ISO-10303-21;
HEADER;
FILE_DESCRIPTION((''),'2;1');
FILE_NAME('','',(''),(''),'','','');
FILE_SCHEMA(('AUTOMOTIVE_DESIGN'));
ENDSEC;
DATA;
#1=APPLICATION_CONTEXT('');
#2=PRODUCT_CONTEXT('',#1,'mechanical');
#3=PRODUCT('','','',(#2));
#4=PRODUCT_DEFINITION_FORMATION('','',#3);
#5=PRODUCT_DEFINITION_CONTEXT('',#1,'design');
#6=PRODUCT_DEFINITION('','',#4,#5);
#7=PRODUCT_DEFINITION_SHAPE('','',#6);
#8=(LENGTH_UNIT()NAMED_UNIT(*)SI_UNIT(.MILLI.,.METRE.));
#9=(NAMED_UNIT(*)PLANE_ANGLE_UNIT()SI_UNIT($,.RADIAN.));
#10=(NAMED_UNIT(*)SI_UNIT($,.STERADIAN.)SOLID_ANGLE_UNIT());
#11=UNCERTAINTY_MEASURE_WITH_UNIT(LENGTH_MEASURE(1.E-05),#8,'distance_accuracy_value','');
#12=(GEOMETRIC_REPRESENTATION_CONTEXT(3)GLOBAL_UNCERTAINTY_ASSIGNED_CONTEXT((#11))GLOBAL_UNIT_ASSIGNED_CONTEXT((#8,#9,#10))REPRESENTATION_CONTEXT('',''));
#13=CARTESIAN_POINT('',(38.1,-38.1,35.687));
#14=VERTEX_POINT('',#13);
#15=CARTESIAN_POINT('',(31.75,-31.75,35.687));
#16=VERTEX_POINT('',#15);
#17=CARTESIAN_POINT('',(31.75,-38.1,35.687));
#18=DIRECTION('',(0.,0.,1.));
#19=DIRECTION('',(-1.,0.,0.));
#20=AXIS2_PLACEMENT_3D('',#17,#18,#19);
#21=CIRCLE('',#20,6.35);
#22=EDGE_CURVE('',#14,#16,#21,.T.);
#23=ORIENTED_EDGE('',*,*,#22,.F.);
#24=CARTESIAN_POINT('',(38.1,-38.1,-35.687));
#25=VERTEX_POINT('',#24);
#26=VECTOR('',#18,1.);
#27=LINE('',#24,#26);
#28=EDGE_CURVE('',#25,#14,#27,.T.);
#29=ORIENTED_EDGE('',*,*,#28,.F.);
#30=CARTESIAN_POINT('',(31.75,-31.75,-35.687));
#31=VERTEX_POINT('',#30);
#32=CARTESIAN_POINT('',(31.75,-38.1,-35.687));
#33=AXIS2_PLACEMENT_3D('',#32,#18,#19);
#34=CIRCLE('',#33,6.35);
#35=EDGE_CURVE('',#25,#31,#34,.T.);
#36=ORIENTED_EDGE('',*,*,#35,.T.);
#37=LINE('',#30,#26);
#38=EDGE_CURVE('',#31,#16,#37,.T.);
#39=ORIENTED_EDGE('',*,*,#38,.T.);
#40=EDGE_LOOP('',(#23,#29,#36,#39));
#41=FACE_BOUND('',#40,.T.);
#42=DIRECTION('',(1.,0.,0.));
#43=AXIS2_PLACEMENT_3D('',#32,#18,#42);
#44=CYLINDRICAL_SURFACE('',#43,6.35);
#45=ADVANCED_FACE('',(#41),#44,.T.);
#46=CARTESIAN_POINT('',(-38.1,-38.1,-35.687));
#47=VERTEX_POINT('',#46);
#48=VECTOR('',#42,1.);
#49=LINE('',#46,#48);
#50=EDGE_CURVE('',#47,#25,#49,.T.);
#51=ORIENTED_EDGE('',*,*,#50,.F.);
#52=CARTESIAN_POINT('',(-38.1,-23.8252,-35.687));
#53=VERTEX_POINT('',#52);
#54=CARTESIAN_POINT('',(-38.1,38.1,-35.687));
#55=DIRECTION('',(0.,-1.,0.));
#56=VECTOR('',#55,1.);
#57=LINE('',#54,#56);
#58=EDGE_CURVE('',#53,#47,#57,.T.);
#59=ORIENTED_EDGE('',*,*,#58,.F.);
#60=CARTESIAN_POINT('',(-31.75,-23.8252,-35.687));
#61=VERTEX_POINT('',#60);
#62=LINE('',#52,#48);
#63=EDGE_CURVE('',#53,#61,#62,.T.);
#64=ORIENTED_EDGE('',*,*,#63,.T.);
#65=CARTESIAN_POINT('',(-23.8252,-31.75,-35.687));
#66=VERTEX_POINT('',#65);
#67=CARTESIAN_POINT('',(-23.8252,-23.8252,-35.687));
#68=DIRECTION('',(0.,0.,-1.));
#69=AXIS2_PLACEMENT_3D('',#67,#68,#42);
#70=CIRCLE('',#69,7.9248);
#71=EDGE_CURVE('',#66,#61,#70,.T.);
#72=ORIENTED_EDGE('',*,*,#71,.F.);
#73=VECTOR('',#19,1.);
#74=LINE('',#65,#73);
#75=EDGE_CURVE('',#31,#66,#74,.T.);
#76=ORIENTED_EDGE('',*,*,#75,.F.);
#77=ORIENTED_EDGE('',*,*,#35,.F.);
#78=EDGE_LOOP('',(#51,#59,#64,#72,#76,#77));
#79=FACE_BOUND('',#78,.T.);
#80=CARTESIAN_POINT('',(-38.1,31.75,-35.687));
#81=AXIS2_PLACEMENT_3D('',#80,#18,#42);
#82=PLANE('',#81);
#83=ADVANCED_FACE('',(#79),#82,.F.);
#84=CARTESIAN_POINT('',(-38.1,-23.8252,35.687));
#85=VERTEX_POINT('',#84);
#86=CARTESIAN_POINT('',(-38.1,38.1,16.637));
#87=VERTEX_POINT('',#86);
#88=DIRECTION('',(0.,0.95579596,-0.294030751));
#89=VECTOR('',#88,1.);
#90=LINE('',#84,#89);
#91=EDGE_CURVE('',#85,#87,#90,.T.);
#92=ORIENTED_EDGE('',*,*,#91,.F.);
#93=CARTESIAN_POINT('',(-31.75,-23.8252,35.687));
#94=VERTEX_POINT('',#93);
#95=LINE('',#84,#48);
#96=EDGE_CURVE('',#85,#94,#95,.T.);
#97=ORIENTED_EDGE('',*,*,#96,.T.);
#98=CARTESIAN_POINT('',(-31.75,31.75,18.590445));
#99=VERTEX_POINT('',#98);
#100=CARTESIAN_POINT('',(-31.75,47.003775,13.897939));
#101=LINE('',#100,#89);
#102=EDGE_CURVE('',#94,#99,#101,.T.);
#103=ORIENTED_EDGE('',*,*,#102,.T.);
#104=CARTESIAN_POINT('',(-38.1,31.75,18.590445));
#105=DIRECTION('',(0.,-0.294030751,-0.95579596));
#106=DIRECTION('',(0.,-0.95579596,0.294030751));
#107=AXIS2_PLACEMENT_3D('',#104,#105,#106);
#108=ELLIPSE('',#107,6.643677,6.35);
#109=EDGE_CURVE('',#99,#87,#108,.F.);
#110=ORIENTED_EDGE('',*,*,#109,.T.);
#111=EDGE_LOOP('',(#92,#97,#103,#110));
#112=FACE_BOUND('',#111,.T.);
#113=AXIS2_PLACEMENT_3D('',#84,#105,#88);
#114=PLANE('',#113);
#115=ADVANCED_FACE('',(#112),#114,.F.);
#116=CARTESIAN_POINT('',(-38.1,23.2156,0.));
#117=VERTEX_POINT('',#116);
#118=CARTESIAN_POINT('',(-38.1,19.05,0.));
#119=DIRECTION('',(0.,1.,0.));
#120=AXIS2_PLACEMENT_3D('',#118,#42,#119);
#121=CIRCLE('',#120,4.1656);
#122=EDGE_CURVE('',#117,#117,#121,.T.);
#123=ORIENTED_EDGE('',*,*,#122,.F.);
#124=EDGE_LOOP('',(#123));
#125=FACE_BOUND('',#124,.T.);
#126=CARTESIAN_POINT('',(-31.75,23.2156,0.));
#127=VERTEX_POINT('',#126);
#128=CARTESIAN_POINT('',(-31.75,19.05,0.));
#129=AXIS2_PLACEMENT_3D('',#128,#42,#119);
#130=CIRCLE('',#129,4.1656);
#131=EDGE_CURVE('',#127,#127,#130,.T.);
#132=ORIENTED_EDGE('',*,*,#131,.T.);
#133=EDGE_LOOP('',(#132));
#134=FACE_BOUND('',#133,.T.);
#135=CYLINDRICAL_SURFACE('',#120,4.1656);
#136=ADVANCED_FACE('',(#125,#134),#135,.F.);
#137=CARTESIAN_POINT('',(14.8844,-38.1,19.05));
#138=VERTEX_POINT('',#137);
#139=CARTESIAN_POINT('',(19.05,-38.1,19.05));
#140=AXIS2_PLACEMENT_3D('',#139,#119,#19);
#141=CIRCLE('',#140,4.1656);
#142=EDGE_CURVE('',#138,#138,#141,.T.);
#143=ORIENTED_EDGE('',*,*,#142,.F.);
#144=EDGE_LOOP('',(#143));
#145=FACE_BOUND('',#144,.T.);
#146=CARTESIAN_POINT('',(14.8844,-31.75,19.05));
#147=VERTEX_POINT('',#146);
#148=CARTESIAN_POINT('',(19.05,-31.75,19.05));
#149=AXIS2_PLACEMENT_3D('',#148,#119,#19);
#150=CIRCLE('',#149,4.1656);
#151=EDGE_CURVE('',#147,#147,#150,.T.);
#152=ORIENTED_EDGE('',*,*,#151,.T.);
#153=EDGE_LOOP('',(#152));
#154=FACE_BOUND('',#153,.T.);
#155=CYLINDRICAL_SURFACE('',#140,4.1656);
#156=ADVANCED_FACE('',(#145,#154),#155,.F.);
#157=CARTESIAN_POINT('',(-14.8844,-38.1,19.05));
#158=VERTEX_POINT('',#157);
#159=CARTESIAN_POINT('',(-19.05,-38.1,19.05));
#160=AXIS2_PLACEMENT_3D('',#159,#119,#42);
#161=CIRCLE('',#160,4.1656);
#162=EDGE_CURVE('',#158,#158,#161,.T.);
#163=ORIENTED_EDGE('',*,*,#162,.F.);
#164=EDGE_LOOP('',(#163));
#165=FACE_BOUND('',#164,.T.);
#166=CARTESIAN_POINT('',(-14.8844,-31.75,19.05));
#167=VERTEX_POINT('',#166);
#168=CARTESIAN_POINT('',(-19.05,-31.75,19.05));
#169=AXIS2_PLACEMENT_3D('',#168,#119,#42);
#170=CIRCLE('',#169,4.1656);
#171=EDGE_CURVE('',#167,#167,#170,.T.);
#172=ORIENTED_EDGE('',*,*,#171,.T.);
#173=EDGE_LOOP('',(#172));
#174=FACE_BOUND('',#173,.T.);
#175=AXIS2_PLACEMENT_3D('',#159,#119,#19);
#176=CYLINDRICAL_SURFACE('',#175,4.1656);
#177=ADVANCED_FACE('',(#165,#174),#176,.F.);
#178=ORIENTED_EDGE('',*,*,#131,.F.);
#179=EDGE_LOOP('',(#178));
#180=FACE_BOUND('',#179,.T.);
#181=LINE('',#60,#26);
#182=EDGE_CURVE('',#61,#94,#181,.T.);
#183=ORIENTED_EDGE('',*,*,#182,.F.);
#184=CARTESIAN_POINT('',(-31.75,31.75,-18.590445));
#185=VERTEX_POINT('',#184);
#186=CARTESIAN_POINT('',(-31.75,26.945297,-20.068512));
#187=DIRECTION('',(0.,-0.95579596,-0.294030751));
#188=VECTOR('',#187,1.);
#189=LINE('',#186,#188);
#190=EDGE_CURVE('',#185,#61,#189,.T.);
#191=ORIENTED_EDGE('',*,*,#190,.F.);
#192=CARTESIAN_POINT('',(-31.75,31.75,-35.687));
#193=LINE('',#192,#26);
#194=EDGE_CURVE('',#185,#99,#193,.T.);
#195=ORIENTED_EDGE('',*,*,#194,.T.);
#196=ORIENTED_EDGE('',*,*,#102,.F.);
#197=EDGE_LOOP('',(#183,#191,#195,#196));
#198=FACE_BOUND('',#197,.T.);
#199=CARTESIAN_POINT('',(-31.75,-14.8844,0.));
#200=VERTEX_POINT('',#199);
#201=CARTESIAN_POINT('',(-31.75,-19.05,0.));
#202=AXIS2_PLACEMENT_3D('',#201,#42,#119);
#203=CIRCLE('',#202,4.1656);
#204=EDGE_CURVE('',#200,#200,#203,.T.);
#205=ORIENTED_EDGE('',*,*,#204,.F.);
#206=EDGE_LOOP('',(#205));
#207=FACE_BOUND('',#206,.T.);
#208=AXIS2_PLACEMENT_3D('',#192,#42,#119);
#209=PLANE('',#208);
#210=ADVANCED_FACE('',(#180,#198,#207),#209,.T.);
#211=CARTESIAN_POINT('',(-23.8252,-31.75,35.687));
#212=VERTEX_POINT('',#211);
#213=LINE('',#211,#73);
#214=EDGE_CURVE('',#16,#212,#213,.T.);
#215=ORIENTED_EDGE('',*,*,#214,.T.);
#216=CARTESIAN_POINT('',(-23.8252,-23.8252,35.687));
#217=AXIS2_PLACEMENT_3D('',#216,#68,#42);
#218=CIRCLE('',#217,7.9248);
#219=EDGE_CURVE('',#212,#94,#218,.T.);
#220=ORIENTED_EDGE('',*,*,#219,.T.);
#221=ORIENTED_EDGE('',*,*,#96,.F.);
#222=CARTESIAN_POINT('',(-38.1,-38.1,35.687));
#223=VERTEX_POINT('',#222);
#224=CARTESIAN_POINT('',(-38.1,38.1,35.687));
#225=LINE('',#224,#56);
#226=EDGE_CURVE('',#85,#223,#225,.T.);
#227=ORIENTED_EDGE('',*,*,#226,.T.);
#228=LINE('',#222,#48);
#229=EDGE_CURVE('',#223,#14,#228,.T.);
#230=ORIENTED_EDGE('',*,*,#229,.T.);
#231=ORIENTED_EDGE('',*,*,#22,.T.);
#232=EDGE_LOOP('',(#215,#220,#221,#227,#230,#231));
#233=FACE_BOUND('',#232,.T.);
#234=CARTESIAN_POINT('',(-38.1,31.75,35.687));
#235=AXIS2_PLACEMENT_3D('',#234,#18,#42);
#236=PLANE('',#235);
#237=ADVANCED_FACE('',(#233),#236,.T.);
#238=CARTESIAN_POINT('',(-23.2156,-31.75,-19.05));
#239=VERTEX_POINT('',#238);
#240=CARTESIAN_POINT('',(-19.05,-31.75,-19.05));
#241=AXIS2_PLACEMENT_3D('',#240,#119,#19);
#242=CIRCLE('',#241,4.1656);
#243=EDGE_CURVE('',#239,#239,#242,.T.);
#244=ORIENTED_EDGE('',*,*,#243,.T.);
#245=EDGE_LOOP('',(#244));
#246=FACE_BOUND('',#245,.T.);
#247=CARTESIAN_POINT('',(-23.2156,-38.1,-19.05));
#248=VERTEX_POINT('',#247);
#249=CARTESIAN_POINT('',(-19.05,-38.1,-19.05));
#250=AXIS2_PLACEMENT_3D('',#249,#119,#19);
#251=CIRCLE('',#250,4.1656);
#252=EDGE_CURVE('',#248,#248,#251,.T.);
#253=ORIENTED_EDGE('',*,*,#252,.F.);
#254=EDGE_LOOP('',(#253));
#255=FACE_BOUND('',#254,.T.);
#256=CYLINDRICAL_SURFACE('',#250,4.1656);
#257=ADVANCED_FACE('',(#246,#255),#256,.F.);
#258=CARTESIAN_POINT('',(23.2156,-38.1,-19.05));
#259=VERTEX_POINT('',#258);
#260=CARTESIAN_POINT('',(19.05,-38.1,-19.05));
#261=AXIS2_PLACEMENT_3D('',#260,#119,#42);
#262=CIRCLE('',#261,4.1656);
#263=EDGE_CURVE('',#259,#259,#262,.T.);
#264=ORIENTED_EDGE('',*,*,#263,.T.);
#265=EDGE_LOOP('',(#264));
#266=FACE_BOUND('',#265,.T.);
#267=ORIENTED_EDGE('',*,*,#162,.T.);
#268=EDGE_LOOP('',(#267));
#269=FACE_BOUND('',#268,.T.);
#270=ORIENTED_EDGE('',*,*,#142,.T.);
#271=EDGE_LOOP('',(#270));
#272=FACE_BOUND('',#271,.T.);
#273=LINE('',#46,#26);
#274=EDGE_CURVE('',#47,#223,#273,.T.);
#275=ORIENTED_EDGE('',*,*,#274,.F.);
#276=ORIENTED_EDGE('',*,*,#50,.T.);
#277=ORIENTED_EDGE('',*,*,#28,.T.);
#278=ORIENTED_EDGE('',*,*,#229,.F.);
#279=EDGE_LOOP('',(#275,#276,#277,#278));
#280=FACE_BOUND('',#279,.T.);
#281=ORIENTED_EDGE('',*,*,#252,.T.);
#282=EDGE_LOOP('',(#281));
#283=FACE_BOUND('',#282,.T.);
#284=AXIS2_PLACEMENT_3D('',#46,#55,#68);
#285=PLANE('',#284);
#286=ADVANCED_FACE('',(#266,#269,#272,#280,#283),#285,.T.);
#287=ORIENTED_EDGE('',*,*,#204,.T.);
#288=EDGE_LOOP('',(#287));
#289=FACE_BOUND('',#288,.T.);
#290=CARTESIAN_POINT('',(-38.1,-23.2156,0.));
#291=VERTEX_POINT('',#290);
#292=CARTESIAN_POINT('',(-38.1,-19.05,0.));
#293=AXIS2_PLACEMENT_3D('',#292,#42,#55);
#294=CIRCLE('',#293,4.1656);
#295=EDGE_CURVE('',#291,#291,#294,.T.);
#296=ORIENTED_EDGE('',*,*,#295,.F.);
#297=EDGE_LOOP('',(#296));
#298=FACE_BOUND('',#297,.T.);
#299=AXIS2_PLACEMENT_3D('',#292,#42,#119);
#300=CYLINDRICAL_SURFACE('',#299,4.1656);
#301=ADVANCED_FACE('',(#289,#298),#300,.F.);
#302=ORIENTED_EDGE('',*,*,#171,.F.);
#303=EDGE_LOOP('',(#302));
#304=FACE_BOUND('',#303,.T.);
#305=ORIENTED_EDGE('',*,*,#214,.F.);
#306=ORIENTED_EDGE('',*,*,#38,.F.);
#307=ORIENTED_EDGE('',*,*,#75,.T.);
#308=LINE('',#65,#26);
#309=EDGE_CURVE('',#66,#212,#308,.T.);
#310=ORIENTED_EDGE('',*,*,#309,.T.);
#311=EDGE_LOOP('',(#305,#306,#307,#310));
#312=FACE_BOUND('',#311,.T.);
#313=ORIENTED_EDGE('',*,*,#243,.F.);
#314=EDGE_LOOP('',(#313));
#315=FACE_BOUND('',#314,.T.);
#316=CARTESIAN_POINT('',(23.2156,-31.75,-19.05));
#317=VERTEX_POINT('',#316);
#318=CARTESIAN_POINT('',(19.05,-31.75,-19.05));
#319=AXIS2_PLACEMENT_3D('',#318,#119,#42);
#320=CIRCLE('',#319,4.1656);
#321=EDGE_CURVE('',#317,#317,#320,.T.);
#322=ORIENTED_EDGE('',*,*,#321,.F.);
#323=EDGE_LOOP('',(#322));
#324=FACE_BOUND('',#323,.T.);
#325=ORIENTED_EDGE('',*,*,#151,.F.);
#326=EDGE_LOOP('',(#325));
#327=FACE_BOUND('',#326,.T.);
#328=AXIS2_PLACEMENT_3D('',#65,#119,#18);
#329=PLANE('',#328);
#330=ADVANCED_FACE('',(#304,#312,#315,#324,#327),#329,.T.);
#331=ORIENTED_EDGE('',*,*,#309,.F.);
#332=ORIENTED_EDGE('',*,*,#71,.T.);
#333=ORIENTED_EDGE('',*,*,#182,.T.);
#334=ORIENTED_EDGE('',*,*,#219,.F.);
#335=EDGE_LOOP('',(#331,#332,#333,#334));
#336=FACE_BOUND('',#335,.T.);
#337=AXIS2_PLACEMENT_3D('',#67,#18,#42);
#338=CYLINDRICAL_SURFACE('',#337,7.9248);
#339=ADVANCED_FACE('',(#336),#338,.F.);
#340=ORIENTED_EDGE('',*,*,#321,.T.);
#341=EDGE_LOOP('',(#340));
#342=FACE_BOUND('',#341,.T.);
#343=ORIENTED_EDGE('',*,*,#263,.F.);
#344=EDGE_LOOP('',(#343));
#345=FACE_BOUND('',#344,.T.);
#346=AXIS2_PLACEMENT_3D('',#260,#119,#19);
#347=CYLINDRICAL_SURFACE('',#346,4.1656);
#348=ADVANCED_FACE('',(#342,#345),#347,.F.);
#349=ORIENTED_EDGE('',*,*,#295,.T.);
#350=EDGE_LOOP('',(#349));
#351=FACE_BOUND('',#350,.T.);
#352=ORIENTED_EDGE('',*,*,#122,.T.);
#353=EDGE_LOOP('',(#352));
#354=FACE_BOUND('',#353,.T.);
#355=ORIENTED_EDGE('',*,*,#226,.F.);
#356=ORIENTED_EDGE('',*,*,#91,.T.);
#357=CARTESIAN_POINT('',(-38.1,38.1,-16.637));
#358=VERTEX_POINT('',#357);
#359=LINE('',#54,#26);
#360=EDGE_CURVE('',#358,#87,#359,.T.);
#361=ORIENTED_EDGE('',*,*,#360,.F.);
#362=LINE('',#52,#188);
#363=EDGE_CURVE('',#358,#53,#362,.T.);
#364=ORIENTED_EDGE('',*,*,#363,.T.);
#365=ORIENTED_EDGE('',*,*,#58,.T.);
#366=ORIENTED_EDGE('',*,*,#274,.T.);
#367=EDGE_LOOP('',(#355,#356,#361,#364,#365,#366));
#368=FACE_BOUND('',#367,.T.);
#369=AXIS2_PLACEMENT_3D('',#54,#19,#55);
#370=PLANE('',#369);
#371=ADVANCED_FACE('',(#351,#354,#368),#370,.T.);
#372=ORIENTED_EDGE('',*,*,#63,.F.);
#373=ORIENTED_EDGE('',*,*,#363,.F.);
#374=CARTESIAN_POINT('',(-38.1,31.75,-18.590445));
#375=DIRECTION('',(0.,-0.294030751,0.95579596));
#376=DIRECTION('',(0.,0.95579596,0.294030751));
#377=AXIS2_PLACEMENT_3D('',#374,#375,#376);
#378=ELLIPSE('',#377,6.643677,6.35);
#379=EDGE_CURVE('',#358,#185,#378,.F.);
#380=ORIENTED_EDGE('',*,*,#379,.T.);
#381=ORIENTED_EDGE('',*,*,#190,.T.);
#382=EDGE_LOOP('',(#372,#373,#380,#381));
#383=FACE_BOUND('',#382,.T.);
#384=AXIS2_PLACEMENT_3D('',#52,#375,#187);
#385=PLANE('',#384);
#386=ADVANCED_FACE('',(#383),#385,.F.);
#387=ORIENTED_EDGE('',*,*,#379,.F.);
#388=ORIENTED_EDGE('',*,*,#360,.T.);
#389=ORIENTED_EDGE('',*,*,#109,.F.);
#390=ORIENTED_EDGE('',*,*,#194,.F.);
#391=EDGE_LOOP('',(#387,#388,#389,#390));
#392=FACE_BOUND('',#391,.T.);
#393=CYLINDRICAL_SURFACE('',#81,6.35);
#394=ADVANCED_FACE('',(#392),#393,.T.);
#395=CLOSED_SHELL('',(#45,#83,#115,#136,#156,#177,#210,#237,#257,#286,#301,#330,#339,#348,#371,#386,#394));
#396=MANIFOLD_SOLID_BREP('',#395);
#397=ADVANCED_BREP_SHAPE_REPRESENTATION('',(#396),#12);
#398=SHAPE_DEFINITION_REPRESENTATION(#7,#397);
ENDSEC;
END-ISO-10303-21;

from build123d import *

# Parameters (mm, degrees)
BOSS_EXTRUDE1_DEPTH      = 35.687
BOSS_EXTRUDE1_DEPTH_BACK = 35.687
CUT_EXTRUDE1_DEPTH       = 88.202032482
CUT_EXTRUDE1_DEPTH_BACK  = 88.202032482
CUT_EXTRUDE2_DEPTH       = 88.202032482
CUT_EXTRUDE2_DEPTH_BACK  = 88.202032482
SKETCH6_R                = 4.1656
SKETCH7_R                = 4.1656
CUT_EXTRUDE3_DEPTH       = 88.202032482


with BuildPart() as part:
    # Sketch4 → Boss-Extrude1 (new, two sides: drawn at the far end of the back side and taken through both)
    with BuildSketch(Plane.XY.offset(-BOSS_EXTRUDE1_DEPTH_BACK)):
        with BuildLine():
            Line((-38.1, 38.1), (-38.1, -38.1))
            Line((-38.1, -38.1), (38.1, -38.1))
            ThreePointArc((38.1, -38.1), (36.240128061, -33.609871939), (31.75, -31.75))
            Line((31.75, -31.75), (-23.8252, -31.75))
            ThreePointArc((-23.8252, -31.75), (-29.42887982, -29.42887982), (-31.75, -23.8252))
            Line((-31.75, -23.8252), (-31.75, 31.75))
            ThreePointArc((-31.75, 31.75), (-33.609871939, 36.240128061), (-38.1, 38.1))
        make_face()
    extrude(amount=BOSS_EXTRUDE1_DEPTH + BOSS_EXTRUDE1_DEPTH_BACK)

    # Sketch5 → Cut-Extrude1 (cut, two sides: drawn at the far end of the back side and taken through both)
    with BuildSketch(Plane(origin=(-31.75, 0, 0), x_dir=(0, 0, -1), z_dir=(1, 0, 0)).offset(-CUT_EXTRUDE1_DEPTH_BACK)):
        Polygon((-35.687, -23.8252), (-16.637, 38.1), (-35.687, 38.1), align=None)
        Polygon((35.687, 38.1), (16.637, 38.1), (35.687, -23.8252), align=None)
    extrude(amount=CUT_EXTRUDE1_DEPTH + CUT_EXTRUDE1_DEPTH_BACK, mode=Mode.SUBTRACT)

    # Sketch6 → Cut-Extrude2 (cut, two sides: drawn at the far end of the back side and taken through both)
    with BuildSketch(Plane(origin=(-31.75, 0, 0), x_dir=(0, 0, -1), z_dir=(1, 0, 0)).offset(-CUT_EXTRUDE2_DEPTH_BACK)):
        with Locations(Location((0, 19.05, 0), (0, 0, 90))):
            Circle(SKETCH6_R)
        with Locations(Location((0, -19.05, 0), (0, 0, 90))):
            Circle(SKETCH6_R)
    extrude(amount=CUT_EXTRUDE2_DEPTH + CUT_EXTRUDE2_DEPTH_BACK, mode=Mode.SUBTRACT)

    # Sketch7 → Cut-Extrude3 (cut, through all)
    with BuildSketch(Plane(origin=(0, -31.75, 0), x_dir=(1, 0, 0), z_dir=(0, 1, 0))):
        with Locations(Location((-19.05, 19.05, 0), (0, 0, 180))):
            Circle(SKETCH7_R)
        with Locations((19.05, 19.05)):
            Circle(SKETCH7_R)
        with Locations(Location((19.05, -19.05, 0), (0, 0, 180))):
            Circle(SKETCH7_R)
        with Locations((-19.05, -19.05)):
            Circle(SKETCH7_R)
    extrude(amount=-CUT_EXTRUDE3_DEPTH, mode=Mode.SUBTRACT)


solid = part.part
